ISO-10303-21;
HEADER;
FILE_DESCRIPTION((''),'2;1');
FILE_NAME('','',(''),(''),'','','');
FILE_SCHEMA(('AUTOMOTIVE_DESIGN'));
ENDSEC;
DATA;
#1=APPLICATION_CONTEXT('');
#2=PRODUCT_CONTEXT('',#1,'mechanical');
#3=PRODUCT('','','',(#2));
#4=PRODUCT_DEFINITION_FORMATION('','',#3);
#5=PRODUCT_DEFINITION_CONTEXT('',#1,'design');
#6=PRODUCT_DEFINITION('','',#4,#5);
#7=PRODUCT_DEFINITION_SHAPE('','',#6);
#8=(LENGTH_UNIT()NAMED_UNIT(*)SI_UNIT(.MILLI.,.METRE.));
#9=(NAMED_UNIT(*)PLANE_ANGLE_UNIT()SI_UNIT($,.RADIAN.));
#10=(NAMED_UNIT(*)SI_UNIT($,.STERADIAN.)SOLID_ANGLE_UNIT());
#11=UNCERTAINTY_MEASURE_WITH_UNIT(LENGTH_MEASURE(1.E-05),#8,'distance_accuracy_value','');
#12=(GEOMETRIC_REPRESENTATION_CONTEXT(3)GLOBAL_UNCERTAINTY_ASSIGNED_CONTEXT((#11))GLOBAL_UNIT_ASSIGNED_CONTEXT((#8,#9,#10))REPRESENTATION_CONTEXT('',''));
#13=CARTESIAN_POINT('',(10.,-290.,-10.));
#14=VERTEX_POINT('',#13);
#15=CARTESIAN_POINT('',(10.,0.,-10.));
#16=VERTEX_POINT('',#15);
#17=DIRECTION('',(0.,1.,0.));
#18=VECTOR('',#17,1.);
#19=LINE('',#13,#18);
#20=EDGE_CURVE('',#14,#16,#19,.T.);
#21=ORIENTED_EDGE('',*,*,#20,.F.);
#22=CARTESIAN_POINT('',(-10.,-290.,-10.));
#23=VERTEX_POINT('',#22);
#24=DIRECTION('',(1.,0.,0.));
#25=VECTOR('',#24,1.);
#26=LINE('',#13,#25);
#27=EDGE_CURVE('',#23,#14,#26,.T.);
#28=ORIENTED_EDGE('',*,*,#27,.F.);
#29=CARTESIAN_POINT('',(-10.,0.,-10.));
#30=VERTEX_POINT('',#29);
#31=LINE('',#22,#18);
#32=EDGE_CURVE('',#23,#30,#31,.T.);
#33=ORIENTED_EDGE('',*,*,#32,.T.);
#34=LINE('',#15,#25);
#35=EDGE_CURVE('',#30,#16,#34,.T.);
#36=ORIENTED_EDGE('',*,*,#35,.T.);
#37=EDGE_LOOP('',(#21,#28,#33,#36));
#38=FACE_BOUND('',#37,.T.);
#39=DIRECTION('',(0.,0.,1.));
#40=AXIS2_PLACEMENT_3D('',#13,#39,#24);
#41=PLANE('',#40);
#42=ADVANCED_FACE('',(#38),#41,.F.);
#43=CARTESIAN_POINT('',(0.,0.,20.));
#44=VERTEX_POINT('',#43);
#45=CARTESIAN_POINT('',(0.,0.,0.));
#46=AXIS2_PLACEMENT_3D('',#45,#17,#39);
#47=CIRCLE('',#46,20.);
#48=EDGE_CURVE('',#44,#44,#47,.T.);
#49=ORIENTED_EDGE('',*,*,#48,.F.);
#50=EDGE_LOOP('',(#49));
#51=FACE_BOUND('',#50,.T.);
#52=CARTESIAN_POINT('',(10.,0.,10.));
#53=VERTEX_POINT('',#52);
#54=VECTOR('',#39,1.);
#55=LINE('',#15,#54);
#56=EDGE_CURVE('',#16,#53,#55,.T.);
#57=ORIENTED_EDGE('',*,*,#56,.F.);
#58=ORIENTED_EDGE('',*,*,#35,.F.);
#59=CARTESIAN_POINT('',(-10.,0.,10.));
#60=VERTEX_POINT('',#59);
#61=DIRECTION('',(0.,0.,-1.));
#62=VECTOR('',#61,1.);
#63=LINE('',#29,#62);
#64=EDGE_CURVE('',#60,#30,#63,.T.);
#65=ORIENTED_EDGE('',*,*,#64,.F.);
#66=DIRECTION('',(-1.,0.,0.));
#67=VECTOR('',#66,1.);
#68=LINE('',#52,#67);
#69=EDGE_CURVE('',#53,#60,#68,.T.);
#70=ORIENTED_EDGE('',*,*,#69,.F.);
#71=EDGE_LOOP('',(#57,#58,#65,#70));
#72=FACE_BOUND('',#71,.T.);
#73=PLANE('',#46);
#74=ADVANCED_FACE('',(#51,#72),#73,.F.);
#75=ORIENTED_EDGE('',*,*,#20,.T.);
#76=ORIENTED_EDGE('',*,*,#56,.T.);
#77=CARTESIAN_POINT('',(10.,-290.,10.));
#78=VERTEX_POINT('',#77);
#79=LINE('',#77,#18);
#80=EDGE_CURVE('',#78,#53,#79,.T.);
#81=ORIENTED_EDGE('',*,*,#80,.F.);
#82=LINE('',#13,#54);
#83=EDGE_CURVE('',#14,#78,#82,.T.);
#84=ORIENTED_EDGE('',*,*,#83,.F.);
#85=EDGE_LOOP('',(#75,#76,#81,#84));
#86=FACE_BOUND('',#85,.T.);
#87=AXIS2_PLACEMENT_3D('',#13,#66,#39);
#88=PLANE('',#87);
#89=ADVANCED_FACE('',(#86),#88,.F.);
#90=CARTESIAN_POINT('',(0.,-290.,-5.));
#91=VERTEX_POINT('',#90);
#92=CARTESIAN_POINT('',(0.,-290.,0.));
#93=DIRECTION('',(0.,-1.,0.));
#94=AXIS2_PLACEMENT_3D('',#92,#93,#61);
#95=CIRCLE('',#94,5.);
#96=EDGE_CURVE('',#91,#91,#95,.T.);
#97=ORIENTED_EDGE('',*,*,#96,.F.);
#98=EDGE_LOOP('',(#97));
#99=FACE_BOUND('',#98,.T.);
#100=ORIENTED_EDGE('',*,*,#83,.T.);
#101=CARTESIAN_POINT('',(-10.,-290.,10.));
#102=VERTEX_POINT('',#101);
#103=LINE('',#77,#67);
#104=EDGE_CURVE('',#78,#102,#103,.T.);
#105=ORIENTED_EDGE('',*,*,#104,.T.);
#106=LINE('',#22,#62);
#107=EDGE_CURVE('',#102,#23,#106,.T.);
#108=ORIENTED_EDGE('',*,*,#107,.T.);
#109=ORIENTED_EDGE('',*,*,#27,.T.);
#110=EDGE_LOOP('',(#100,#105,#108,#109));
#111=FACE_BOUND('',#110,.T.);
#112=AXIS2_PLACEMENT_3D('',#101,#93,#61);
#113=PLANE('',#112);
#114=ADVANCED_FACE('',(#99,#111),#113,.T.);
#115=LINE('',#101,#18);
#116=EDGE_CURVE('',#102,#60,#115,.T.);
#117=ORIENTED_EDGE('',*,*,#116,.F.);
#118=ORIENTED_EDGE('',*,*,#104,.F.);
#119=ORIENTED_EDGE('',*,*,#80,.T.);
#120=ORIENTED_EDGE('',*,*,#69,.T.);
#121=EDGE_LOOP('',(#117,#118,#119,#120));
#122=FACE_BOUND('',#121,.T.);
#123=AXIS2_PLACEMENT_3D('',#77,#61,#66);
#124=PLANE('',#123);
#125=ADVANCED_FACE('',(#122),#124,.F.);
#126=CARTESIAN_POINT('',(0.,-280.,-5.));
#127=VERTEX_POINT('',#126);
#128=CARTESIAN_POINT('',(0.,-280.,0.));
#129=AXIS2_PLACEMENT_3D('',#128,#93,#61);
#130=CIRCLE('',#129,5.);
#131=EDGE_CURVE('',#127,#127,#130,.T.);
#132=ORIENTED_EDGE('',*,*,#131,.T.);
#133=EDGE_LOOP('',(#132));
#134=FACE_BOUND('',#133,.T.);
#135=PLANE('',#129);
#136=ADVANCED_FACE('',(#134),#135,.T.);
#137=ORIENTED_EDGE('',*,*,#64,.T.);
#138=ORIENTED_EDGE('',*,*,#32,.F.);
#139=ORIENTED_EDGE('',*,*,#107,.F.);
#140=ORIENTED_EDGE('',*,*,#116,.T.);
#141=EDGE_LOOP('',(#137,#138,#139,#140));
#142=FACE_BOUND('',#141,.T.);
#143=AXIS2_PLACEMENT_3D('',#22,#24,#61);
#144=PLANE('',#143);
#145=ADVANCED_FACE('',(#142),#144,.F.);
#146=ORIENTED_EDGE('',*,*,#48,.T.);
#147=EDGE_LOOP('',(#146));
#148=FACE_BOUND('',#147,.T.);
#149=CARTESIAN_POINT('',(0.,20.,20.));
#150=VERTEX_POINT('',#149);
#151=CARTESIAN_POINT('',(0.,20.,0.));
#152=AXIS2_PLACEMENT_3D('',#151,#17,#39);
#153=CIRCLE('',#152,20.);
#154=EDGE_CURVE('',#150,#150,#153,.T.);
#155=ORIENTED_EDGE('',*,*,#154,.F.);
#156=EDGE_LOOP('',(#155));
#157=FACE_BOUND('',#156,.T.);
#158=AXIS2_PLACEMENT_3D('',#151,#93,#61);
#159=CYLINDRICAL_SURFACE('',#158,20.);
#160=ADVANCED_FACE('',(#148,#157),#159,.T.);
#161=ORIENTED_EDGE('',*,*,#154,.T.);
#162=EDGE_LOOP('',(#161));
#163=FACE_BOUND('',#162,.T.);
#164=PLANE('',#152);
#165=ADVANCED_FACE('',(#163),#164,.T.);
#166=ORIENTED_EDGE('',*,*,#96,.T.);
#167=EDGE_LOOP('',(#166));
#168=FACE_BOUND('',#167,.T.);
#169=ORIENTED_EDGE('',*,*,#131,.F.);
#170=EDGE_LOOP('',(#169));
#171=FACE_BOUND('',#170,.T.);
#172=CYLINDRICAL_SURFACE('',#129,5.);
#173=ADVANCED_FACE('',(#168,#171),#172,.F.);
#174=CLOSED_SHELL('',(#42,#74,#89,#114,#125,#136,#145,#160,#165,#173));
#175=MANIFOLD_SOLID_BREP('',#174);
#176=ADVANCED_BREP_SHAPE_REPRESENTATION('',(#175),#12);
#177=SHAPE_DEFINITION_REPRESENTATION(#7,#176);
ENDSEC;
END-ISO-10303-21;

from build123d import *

# Parameters (mm, degrees)
SKETCH2_R           = 20
BOSS_EXTRUDE1_DEPTH = 20
SKETCH3_W           = 20
SKETCH3_H           = 20
BOSS_EXTRUDE2_DEPTH = 290
SKETCH4_R           = 5
CUT_EXTRUDE1_DEPTH  = 10


with BuildPart() as part:
    # Sketch2 → Boss-Extrude1 (new body)
    with BuildSketch(Plane(origin=(0, 0, 0), x_dir=(1, 0, 0), z_dir=(0, 1, 0))):
        with Locations(Location((0, 0, 0), (0, 0, 270))):
            Circle(SKETCH2_R)
    extrude(amount=BOSS_EXTRUDE1_DEPTH)

    # Sketch3 → Boss-Extrude2 (add)
    with BuildSketch(Plane.XZ):
        Rectangle(SKETCH3_W, SKETCH3_H)
    extrude(amount=BOSS_EXTRUDE2_DEPTH)

    # Sketch4 → Cut-Extrude1 (cut)
    with BuildSketch(Plane.XZ.offset(290)):
        with Locations(Location((0, 0, 0), (0, 0, 270))):
            Circle(SKETCH4_R)
    extrude(amount=-CUT_EXTRUDE1_DEPTH, mode=Mode.SUBTRACT)


solid = part.part
